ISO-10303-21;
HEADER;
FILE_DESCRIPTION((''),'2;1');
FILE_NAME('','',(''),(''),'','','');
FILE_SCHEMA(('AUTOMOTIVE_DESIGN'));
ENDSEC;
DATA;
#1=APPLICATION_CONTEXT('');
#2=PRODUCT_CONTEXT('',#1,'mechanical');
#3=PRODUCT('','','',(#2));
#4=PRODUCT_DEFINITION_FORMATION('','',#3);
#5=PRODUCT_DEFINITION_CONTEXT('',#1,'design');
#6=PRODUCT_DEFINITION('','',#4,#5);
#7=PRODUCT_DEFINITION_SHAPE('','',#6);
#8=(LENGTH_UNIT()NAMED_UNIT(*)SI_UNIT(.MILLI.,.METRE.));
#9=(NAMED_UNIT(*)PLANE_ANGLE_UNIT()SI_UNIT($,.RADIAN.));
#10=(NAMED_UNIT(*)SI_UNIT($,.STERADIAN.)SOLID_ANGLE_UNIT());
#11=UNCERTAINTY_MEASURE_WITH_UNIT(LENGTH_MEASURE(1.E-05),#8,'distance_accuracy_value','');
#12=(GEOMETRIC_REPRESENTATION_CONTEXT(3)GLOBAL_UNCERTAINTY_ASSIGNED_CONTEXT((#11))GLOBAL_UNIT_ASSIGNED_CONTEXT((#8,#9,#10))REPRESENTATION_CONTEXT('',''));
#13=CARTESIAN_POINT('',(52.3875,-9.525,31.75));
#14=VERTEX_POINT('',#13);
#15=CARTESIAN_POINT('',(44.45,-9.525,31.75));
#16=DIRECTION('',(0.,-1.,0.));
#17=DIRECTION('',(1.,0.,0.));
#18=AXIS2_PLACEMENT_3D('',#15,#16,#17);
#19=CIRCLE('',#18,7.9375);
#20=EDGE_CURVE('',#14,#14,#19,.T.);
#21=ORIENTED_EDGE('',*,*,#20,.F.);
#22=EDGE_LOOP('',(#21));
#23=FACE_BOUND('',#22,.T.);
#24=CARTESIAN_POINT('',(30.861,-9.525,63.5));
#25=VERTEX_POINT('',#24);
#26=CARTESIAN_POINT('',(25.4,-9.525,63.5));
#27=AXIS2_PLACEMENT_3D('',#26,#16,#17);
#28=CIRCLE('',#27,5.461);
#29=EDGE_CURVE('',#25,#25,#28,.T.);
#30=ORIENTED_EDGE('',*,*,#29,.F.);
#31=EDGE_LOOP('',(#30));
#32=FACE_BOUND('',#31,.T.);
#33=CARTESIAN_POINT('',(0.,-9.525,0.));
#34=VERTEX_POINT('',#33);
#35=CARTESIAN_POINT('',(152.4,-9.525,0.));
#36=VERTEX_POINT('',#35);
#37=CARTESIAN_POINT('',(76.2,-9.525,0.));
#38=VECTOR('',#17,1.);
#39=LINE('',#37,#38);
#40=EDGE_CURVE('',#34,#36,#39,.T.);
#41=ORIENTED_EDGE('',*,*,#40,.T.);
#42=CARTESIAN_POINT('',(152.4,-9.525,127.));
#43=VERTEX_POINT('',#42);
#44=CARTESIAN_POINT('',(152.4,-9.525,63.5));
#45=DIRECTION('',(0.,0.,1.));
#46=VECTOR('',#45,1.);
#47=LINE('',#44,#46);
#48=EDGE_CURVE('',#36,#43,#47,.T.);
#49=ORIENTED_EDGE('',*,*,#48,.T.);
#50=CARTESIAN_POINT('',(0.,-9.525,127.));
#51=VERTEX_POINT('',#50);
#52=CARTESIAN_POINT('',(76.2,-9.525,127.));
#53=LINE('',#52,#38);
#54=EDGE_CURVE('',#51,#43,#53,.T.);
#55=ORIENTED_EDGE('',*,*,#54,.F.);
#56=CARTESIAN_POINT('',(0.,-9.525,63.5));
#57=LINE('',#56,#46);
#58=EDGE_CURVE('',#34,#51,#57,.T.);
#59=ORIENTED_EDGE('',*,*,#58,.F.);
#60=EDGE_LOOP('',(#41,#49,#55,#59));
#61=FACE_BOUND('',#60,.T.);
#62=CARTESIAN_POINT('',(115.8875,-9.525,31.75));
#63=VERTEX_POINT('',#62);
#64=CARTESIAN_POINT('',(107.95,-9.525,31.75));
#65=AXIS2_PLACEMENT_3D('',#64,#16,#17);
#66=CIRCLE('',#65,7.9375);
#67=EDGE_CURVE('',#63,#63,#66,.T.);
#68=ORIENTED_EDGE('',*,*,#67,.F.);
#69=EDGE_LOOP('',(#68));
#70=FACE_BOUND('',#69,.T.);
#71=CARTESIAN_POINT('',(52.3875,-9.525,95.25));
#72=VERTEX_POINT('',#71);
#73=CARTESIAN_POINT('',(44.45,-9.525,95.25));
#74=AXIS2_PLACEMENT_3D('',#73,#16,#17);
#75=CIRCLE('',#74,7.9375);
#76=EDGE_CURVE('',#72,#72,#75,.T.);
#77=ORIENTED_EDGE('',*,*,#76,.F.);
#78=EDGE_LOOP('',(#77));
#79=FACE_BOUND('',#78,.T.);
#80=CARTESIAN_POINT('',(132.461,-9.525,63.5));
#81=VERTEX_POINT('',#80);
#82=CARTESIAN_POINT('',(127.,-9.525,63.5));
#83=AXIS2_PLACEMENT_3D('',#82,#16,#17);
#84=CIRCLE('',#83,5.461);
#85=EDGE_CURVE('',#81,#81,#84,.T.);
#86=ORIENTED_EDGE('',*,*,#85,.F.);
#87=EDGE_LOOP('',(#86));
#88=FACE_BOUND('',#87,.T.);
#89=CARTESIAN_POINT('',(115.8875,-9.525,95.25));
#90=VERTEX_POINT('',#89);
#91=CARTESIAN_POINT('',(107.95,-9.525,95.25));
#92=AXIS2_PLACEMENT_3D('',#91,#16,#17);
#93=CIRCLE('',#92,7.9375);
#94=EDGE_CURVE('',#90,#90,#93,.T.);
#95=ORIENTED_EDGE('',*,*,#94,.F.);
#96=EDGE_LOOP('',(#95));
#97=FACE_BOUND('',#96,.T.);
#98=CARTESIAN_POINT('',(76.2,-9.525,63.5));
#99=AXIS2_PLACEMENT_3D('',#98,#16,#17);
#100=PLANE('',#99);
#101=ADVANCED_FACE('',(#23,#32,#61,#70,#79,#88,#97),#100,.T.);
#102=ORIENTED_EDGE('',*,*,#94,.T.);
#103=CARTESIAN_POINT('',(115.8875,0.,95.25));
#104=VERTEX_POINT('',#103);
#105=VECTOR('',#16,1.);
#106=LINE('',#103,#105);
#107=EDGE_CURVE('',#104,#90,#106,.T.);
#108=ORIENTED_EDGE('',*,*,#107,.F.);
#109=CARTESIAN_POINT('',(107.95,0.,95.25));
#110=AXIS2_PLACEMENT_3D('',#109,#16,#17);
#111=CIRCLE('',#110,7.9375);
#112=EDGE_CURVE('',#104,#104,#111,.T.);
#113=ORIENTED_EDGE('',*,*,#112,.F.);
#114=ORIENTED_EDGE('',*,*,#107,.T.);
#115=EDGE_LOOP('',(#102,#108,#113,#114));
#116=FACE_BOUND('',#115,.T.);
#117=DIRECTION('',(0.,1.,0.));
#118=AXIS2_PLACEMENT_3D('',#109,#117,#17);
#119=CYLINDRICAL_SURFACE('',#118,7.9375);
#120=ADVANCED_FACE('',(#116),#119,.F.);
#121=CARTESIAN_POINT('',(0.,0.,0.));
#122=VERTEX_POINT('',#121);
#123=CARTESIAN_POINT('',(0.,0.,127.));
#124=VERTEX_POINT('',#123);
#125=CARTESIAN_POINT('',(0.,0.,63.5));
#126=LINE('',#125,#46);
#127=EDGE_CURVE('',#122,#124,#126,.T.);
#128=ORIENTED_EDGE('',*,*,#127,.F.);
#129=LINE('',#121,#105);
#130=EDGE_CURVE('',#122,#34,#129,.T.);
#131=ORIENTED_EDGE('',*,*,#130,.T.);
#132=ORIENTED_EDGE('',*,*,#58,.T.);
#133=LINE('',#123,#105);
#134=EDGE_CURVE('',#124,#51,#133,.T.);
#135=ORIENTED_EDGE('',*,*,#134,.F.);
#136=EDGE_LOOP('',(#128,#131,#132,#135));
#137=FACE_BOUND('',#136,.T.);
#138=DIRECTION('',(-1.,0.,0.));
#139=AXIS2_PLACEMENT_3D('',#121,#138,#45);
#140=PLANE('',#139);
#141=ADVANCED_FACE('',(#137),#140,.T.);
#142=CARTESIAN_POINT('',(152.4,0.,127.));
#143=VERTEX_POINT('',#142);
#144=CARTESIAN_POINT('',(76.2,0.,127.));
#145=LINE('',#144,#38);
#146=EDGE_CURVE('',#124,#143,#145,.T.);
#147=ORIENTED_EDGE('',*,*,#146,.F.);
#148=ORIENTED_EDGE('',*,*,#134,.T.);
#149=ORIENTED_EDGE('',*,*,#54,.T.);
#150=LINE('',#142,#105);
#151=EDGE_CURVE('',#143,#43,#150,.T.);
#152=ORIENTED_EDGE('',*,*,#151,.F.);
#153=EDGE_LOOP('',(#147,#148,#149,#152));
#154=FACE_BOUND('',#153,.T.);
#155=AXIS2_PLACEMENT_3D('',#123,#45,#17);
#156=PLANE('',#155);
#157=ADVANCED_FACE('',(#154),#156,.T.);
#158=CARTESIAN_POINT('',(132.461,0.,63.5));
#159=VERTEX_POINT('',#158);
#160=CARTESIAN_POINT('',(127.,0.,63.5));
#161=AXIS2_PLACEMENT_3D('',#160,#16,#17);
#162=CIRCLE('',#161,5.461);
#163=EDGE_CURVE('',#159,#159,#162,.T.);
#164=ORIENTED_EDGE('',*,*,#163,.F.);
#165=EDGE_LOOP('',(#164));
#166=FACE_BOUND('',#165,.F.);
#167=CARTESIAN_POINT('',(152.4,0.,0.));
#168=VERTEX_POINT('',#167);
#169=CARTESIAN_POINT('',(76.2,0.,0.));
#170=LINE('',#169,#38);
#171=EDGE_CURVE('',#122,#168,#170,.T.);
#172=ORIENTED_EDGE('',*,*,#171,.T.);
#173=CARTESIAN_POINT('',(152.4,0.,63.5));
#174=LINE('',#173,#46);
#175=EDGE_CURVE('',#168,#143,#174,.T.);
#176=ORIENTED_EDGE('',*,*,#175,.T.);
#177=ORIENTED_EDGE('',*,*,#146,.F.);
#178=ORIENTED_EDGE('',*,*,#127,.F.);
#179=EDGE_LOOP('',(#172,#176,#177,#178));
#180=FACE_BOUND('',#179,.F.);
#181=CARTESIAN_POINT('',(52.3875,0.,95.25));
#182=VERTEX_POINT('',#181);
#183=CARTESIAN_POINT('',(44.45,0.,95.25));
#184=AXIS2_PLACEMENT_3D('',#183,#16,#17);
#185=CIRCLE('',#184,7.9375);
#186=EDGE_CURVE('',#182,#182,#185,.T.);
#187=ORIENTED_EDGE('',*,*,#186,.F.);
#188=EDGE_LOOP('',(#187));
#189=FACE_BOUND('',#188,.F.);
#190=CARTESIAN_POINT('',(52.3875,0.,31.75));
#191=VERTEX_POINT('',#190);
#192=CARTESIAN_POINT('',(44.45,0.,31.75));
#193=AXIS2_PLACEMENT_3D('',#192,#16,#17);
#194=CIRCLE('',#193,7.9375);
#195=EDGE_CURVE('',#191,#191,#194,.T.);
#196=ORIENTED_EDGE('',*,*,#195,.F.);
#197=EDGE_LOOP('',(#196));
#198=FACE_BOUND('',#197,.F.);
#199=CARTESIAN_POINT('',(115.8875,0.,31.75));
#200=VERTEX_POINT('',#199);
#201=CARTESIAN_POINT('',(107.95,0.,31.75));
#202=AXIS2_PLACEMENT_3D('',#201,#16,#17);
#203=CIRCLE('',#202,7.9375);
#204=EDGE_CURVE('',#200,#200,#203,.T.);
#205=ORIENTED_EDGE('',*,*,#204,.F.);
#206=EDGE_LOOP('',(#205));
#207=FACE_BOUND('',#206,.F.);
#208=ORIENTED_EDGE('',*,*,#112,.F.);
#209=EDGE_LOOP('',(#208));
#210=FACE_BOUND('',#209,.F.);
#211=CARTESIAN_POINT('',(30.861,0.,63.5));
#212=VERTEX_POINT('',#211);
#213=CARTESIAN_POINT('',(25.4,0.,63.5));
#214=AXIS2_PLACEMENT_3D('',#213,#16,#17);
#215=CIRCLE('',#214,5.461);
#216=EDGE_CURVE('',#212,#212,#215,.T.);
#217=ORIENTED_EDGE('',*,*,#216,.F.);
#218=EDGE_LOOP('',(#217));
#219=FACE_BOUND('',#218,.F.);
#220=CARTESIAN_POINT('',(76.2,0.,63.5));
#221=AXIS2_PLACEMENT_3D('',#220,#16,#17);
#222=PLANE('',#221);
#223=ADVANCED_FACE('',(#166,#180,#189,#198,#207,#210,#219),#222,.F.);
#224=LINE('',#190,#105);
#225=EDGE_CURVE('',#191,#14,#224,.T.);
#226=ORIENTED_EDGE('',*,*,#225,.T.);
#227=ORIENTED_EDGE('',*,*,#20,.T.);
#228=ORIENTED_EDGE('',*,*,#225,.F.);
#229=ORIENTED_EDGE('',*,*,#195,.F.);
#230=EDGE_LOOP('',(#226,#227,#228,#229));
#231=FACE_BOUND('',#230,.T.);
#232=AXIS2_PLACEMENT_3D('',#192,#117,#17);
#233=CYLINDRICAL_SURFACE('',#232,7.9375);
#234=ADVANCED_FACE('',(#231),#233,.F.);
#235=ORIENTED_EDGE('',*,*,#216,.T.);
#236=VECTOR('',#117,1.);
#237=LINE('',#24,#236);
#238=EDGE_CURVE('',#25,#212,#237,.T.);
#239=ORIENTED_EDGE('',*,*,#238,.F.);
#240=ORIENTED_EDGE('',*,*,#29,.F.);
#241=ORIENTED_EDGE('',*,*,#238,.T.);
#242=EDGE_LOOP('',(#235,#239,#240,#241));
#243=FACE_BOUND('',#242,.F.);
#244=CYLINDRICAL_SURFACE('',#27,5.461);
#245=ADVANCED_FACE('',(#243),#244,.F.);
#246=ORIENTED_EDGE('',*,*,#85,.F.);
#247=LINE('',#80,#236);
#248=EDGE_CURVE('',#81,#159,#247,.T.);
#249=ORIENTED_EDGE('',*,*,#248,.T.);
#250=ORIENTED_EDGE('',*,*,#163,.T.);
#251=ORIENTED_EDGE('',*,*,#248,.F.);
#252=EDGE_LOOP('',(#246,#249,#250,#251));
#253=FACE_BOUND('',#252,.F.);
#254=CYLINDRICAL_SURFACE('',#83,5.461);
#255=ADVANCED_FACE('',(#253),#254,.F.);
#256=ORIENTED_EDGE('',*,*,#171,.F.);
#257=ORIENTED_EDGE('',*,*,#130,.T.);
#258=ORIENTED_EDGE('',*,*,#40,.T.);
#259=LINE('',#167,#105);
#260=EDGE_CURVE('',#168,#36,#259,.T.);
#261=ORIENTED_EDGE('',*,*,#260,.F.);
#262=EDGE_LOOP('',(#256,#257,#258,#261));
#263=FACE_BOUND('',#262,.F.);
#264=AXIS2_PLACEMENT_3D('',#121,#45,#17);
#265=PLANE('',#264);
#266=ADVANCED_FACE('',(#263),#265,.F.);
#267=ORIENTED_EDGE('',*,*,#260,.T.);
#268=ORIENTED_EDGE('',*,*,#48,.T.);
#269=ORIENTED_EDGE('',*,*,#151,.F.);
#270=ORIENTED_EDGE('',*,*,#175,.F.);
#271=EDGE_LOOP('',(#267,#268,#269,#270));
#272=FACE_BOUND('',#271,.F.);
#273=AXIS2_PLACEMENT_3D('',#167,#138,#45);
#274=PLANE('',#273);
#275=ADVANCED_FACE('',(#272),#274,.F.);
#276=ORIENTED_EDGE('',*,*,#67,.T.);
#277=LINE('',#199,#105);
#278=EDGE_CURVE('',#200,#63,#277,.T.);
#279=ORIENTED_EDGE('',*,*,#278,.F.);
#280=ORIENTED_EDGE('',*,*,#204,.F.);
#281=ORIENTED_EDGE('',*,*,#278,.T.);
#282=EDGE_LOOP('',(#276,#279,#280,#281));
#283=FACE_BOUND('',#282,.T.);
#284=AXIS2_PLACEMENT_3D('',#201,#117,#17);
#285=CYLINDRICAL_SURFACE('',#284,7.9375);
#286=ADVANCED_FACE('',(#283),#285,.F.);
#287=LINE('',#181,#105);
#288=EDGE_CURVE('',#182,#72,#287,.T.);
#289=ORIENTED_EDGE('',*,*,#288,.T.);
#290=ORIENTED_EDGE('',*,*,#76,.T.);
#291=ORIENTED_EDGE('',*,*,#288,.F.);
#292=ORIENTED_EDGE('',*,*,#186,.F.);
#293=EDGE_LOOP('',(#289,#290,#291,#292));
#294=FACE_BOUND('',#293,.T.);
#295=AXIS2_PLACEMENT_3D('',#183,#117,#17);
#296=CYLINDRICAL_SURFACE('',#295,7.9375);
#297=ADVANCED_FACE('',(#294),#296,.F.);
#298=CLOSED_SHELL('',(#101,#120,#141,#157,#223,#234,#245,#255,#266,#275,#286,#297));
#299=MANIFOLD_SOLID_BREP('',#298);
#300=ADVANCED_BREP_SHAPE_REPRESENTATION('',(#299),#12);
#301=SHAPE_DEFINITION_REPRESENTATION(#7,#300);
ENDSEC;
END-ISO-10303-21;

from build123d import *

# Parameters (mm, degrees)
F0_W     = 152.4
F0_H     = 127
F0_R     = 7.9375
F1_DEPTH = 9.525
F2_R     = 5.461
F3_DEPTH = 9.526


with BuildPart() as f1:
    # F0 (on Front) → F1 (new body)
    with BuildSketch(Plane.XZ):
        with Locations((76.2, 63.5)):
            Rectangle(F0_W, F0_H)
        with Locations((44.45, 31.75)):
            Circle(F0_R, mode=Mode.SUBTRACT)
        with Locations((107.95, 31.75)):
            Circle(F0_R, mode=Mode.SUBTRACT)
        with Locations((44.45, 95.25)):
            Circle(F0_R, mode=Mode.SUBTRACT)
        with Locations((107.95, 95.25)):
            Circle(F0_R, mode=Mode.SUBTRACT)
    extrude(amount=F1_DEPTH)

    # F2 (on face) → F3 (cut, through all)
    with BuildSketch(Plane.XZ.offset(9.525)):
        with Locations((25.4, 63.5)):
            Circle(F2_R)
        with Locations((127, 63.5)):
            Circle(F2_R)
    extrude(amount=-F3_DEPTH, mode=Mode.SUBTRACT)


solid = f1.part
